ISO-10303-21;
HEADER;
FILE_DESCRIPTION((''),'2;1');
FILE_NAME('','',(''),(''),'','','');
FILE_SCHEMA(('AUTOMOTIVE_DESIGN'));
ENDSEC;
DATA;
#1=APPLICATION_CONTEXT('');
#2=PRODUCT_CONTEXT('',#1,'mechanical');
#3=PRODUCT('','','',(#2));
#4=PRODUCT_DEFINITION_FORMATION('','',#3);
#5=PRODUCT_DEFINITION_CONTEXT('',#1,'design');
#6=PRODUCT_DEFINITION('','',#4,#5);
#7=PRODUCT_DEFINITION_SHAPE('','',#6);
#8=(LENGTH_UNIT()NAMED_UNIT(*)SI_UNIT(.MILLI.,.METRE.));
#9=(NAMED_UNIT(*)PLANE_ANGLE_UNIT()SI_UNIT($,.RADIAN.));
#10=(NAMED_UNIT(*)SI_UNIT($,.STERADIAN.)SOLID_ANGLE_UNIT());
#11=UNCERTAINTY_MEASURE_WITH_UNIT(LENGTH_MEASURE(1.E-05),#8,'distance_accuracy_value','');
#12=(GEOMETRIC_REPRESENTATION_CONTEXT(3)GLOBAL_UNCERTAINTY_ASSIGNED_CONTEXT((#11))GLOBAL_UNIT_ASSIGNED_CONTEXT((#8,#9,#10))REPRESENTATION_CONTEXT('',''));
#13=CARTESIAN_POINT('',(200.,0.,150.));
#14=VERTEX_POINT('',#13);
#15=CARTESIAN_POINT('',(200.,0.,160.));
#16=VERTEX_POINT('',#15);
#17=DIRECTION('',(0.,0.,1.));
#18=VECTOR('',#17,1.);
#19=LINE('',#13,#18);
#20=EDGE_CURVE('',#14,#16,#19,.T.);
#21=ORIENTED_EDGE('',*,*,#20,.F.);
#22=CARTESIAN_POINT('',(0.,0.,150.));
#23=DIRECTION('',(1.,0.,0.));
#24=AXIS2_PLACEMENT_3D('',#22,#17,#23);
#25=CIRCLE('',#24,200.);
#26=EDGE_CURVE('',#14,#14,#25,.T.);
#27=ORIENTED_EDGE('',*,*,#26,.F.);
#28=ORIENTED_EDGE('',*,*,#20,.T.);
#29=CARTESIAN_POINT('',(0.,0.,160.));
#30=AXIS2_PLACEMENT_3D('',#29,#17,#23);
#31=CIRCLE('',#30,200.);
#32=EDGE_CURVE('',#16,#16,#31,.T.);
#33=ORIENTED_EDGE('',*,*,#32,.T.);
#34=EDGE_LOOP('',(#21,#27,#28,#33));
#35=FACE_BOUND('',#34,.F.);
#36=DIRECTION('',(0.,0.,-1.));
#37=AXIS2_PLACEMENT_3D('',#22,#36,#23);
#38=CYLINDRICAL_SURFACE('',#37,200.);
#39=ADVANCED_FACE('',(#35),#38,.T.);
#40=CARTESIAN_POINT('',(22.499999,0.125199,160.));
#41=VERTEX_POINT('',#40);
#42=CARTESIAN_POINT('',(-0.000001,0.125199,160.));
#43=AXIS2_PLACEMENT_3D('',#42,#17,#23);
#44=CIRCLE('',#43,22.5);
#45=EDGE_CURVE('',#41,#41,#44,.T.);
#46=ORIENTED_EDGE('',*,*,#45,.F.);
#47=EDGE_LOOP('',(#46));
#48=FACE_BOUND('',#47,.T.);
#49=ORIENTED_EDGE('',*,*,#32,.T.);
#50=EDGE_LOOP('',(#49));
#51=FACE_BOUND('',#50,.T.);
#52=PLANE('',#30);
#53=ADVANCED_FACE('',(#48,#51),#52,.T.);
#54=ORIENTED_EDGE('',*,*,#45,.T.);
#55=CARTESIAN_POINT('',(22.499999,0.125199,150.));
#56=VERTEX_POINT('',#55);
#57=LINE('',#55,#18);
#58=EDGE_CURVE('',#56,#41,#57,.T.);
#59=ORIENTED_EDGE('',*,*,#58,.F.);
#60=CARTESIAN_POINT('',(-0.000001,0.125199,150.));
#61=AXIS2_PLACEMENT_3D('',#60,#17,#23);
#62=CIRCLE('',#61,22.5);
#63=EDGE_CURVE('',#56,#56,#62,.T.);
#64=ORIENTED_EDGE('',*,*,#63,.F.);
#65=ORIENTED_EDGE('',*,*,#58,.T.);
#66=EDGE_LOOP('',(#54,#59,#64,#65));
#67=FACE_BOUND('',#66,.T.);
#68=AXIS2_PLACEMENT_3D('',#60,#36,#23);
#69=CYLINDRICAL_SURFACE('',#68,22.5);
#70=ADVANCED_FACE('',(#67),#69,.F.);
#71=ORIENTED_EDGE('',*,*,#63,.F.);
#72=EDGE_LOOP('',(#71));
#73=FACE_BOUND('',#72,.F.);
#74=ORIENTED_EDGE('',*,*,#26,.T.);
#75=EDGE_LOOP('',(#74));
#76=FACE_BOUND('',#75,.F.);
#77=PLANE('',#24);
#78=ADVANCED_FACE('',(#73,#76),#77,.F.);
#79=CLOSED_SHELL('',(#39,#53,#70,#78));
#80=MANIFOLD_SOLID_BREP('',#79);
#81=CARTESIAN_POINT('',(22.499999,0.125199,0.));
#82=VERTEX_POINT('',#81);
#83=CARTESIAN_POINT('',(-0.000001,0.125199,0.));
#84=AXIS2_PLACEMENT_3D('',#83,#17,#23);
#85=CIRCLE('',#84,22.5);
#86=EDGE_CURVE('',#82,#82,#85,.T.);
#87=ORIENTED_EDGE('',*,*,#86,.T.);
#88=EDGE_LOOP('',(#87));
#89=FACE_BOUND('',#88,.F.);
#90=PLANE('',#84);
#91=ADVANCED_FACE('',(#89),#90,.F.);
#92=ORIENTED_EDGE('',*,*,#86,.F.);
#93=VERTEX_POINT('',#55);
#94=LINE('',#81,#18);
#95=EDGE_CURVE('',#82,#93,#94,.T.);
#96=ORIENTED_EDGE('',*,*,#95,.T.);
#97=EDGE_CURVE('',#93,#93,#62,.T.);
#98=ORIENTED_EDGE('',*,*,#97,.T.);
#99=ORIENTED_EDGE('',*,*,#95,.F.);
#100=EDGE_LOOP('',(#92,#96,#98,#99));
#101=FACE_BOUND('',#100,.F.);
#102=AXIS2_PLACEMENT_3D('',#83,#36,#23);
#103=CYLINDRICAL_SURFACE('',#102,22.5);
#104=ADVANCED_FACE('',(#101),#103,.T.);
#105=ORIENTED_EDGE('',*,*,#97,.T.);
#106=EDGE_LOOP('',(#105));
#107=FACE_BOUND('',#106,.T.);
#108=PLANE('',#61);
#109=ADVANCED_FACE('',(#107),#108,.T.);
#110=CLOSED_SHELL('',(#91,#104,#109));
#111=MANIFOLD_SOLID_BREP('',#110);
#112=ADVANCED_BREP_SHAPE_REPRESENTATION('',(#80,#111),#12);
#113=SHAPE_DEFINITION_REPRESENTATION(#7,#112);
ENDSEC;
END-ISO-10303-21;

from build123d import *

# Parameters (mm, degrees)
F0_R     = 22.5
F1_DEPTH = 150
F2_R     = 200
F2_R_2   = 22.5
F3_DEPTH = 10


with BuildPart() as f1:
    # F0 (on Top) → F1 (new body)
    with BuildSketch(Plane.XY):
        with Locations((-1e-06, 0.125199)):
            Circle(F0_R)
    extrude(amount=F1_DEPTH)


with BuildPart() as f3:
    # F2 (on face) → F3 (new body)
    with BuildSketch(Plane.XY.offset(150)):
        Circle(F2_R)
        with Locations((-1e-06, 0.125199)):
            Circle(F2_R_2, mode=Mode.SUBTRACT)
    extrude(amount=F3_DEPTH)


solid = Compound([f1.part, f3.part])
